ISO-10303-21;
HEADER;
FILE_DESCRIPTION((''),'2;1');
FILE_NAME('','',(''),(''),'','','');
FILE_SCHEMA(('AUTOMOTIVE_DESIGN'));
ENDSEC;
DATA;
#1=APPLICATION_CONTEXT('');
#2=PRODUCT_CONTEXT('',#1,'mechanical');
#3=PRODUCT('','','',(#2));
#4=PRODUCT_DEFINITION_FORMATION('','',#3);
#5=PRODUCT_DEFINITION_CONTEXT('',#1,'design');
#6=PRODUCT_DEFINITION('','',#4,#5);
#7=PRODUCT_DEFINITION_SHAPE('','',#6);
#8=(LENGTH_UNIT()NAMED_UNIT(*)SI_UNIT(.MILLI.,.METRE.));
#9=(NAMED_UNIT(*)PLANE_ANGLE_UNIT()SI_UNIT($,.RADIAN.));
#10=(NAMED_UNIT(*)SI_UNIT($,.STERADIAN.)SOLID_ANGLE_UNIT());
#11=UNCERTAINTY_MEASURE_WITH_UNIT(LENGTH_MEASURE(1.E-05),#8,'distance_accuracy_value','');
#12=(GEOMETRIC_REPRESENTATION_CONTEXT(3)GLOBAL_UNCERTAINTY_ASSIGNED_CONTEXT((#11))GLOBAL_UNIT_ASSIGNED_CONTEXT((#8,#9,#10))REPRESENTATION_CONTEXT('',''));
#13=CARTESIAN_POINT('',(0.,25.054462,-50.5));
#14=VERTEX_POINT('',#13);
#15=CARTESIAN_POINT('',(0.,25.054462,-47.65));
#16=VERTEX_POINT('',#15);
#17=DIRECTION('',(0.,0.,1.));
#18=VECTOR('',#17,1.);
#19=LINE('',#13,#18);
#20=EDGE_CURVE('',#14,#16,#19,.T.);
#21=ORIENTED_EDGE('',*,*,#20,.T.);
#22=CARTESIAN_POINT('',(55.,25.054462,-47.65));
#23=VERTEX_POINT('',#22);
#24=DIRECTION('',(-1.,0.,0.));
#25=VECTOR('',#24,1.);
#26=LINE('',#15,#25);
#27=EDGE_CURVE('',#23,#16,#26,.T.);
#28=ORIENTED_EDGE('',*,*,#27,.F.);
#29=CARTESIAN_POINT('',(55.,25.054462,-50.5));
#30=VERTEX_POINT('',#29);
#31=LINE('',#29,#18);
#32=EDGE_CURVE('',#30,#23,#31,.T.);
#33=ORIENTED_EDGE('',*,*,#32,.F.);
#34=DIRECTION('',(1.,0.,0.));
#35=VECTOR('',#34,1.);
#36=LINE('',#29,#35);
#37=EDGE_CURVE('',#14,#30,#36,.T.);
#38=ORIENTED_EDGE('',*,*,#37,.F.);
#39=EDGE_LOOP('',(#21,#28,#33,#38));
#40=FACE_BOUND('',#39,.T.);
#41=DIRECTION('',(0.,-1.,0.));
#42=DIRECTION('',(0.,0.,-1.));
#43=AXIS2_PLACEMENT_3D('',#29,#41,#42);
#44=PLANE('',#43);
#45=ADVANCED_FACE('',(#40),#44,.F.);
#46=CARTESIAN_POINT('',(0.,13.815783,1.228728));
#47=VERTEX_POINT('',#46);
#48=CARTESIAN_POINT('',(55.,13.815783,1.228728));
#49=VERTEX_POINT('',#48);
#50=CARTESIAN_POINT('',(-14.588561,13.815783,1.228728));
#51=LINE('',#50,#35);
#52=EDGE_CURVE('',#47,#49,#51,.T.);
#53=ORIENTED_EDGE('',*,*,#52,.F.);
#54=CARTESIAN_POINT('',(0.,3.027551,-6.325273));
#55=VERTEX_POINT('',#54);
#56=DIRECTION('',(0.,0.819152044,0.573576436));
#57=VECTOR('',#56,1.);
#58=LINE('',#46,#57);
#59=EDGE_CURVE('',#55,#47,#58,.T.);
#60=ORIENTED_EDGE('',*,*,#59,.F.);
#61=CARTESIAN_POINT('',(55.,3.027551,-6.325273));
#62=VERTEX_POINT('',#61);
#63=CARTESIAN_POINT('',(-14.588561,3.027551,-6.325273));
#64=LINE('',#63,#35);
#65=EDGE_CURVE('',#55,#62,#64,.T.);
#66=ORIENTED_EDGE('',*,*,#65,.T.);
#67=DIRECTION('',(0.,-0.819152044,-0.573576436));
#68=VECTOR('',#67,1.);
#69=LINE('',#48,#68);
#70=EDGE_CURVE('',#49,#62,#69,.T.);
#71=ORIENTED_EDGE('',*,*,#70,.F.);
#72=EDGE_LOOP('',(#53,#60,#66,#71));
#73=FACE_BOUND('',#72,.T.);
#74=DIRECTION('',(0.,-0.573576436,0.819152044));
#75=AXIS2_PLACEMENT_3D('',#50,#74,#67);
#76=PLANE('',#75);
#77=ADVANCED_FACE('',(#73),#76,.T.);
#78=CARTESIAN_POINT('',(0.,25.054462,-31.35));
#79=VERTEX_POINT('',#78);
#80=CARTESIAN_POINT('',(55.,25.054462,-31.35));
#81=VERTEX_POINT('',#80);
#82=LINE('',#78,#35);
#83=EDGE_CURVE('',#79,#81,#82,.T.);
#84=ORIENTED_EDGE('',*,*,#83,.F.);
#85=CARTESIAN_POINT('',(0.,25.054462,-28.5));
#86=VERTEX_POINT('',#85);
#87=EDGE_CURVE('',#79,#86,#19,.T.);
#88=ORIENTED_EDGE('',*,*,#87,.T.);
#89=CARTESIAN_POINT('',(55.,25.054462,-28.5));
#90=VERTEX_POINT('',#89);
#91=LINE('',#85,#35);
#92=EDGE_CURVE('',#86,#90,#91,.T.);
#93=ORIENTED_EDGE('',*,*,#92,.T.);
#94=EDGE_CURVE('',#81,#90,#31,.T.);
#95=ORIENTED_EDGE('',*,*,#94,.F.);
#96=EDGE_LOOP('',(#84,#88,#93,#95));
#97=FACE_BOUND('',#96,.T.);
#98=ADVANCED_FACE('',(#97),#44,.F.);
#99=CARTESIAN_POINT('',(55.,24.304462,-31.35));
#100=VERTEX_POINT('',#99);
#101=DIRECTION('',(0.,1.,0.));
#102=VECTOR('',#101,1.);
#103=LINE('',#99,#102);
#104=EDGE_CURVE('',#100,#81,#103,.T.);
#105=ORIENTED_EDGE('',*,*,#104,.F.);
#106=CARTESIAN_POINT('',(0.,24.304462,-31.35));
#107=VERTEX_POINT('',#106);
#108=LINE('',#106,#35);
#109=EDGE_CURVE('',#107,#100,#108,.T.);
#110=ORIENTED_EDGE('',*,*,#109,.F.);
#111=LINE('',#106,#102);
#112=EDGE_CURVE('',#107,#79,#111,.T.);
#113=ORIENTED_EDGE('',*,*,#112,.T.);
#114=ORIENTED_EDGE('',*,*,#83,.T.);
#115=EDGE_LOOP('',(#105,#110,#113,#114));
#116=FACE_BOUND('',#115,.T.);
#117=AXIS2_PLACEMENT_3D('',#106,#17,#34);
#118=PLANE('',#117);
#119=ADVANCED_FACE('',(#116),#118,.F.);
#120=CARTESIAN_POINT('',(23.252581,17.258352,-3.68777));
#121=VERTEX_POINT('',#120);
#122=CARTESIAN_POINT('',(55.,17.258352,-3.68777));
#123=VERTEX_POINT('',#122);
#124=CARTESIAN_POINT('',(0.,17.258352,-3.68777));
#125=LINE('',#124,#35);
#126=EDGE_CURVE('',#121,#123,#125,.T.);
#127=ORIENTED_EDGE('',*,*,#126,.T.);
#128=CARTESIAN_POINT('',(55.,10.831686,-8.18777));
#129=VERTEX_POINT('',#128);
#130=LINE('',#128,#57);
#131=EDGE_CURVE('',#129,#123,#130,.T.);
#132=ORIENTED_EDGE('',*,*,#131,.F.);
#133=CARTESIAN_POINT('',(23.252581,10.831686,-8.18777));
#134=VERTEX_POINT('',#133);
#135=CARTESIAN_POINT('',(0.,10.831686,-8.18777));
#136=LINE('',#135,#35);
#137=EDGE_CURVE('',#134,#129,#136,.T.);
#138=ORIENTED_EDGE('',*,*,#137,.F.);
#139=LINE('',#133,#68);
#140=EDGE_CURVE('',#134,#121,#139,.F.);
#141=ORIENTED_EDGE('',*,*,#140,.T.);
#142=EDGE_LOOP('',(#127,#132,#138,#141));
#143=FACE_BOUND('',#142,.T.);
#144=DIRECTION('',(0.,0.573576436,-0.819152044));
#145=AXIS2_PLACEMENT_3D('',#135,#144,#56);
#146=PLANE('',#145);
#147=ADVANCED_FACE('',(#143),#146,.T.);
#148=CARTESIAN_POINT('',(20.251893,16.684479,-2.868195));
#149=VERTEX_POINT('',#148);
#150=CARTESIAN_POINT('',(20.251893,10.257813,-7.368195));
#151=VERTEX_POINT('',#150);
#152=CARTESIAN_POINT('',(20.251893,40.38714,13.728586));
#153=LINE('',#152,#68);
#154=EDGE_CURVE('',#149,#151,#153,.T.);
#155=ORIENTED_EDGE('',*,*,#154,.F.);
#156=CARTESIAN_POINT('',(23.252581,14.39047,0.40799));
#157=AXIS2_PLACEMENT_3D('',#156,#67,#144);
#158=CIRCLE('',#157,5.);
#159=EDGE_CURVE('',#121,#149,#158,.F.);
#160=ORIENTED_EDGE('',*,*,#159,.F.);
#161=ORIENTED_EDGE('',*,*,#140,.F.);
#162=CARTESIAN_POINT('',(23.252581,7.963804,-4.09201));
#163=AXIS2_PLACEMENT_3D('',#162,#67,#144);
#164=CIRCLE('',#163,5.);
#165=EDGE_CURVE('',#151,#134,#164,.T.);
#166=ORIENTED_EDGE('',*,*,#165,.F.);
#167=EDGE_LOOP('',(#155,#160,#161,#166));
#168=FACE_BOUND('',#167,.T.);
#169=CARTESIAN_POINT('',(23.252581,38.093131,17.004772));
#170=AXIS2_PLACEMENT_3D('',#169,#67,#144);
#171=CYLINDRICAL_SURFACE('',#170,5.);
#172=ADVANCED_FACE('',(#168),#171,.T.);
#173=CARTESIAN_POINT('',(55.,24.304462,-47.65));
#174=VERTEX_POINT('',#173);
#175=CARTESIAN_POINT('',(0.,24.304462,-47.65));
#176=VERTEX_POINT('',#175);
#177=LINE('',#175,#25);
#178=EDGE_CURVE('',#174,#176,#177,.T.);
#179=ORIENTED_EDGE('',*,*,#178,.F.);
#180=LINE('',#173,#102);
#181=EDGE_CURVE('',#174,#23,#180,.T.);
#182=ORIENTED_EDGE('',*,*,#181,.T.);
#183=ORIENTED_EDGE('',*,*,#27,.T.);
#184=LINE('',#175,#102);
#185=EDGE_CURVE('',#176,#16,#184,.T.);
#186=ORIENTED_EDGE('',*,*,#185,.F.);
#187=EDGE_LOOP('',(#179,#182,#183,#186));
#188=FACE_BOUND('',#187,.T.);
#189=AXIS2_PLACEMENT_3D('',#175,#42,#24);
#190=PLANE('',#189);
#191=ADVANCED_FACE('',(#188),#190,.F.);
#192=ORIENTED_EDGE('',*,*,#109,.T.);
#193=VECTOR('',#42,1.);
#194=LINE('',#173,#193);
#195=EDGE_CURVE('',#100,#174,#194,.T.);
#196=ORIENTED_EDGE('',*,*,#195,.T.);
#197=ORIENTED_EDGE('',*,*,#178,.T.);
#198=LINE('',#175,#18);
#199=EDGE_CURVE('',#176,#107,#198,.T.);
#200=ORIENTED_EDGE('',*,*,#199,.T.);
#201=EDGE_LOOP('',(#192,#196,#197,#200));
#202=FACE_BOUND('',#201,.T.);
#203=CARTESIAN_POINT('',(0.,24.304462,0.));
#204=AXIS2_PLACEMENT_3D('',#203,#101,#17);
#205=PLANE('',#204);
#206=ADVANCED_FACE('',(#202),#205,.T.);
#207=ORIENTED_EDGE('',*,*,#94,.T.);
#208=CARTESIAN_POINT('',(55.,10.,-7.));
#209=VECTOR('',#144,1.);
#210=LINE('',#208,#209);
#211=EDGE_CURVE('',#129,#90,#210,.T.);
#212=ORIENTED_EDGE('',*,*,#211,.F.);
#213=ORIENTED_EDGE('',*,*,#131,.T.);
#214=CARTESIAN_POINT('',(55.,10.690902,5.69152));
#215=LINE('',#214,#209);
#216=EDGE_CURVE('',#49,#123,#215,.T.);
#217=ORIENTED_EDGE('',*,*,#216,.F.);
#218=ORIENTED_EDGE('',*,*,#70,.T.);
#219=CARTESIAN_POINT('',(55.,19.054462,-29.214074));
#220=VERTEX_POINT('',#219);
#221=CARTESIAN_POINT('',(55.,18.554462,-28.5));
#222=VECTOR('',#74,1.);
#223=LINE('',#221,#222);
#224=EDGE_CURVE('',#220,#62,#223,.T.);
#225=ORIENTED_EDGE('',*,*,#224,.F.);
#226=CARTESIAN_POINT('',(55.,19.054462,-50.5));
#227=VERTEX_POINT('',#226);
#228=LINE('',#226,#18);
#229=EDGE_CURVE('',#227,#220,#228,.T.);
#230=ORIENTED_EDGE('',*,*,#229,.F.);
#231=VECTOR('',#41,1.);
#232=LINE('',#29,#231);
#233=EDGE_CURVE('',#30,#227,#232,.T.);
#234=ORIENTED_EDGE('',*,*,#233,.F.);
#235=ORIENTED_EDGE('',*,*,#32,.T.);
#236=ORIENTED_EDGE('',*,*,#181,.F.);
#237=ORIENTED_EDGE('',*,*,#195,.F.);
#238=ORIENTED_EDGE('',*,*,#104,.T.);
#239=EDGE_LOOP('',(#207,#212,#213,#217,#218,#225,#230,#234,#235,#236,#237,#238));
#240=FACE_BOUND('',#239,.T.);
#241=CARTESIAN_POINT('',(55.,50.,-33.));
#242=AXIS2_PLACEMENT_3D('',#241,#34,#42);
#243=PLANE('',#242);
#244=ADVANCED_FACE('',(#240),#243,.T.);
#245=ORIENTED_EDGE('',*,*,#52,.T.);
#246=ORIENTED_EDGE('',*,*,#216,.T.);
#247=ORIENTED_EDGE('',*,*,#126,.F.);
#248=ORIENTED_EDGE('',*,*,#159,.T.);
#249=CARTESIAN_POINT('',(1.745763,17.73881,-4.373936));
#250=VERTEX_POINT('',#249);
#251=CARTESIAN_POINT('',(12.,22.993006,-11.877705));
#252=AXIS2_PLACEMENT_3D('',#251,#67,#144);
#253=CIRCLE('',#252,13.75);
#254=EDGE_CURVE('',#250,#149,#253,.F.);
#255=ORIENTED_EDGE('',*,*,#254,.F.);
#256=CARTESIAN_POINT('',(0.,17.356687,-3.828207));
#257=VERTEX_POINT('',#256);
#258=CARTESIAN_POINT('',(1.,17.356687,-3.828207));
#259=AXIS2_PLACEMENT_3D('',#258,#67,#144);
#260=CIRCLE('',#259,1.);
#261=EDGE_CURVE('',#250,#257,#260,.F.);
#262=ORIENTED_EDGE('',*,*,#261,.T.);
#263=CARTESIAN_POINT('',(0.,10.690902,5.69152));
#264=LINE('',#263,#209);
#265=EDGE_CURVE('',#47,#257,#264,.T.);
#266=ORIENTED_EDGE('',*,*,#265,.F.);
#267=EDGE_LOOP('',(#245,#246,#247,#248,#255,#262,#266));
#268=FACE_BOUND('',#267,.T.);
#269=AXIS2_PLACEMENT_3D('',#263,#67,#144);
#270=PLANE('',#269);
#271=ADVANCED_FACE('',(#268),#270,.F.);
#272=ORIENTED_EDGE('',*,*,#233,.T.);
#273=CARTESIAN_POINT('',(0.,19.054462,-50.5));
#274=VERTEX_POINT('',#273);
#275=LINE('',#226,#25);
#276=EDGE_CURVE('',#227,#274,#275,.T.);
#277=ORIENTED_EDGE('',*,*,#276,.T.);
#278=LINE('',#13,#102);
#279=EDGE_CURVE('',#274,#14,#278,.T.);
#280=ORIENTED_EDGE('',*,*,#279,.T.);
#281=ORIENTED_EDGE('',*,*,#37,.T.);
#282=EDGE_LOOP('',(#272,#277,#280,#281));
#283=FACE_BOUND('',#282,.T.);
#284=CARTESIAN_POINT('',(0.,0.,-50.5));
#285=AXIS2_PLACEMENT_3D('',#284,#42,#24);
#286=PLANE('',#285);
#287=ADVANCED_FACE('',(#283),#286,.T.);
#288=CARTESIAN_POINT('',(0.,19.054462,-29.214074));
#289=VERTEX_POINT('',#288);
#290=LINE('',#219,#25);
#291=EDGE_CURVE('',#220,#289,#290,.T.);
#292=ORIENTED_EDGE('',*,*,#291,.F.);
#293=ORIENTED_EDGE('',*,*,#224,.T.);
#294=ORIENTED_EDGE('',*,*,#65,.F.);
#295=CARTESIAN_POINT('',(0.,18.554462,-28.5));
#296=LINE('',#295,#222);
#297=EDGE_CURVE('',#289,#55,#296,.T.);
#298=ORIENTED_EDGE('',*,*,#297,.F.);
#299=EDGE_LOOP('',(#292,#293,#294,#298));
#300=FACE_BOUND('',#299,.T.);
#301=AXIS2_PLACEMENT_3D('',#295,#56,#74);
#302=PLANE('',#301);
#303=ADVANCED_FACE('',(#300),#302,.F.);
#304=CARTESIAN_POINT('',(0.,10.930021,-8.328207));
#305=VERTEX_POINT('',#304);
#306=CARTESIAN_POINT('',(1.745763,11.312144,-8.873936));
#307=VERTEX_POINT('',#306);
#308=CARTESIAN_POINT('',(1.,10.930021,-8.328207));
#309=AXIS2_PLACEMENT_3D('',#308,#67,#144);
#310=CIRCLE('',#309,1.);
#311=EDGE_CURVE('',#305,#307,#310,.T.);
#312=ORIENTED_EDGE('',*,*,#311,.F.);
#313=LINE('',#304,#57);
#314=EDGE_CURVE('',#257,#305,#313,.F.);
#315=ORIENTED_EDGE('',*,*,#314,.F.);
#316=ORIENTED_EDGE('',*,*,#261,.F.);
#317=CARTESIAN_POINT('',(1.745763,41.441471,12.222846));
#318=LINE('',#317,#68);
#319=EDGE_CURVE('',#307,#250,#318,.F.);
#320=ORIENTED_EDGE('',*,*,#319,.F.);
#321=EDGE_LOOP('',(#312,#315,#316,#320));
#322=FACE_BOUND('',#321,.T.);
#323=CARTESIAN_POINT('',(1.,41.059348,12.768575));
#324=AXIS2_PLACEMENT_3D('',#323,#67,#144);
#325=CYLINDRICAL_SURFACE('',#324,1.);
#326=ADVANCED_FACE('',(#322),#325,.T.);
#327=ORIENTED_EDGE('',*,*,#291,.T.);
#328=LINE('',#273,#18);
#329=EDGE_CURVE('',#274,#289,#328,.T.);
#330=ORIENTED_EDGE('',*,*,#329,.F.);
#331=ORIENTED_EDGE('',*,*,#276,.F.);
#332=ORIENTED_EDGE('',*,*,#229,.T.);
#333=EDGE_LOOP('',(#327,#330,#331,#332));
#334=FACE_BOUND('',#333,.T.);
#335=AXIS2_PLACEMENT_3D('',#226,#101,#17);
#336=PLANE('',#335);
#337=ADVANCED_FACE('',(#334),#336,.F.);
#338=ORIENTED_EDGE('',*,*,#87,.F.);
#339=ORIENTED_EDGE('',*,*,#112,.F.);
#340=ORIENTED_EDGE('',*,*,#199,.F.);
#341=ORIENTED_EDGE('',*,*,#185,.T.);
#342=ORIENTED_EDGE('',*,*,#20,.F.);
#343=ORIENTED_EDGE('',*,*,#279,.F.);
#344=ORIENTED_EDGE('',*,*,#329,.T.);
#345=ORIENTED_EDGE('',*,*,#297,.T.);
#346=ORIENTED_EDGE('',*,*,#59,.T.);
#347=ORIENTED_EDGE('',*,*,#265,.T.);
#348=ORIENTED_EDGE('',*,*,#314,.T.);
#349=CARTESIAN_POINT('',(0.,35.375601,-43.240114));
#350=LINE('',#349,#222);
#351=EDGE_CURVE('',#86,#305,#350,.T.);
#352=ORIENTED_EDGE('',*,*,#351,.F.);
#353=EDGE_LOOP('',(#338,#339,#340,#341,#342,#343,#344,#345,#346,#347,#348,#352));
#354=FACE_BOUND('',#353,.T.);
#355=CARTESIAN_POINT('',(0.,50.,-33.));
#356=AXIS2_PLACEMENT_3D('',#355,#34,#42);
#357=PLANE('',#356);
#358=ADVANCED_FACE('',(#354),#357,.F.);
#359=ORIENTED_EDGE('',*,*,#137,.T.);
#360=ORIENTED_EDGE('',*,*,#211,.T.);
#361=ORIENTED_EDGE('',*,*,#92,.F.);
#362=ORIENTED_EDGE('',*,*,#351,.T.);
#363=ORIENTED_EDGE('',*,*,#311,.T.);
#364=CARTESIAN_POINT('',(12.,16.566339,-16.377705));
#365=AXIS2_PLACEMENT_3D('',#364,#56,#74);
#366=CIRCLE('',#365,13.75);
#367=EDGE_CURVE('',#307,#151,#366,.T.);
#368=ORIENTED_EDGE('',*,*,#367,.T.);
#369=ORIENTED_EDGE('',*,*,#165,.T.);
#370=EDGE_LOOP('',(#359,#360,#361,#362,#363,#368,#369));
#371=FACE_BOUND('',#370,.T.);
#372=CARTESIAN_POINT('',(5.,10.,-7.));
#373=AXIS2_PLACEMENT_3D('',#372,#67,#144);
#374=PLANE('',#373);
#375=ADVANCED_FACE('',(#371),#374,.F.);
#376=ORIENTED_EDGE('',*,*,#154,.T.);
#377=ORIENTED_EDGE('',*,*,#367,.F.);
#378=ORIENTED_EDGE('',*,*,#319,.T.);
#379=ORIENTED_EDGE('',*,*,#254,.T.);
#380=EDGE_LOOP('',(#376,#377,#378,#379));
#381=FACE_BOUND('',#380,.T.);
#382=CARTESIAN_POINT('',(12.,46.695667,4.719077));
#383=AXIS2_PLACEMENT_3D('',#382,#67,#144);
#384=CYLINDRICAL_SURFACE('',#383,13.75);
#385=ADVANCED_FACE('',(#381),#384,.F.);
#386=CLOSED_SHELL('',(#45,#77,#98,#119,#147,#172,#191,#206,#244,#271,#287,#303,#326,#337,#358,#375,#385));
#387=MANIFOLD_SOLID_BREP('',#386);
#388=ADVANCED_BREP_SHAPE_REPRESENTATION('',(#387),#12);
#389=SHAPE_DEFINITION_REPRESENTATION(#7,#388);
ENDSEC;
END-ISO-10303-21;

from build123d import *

# Parameters (mm, degrees)
SKETCH1_W           = 55
SKETCH1_H           = 33
BOSS_EXTRUDE1_DEPTH = 50
CUT_EXTRUDE1_DEPTH  = 50
CUT_EXTRUDE2_DEPTH  = 82.326502445
BOSS_EXTRUDE2_REACH = 83.327
SKETCH6_R           = 13.75
CUT_EXTRUDE3_DEPTH  = 81.295894003
CUT_EXTRUDE4_DEPTH  = 82.326502445
SKETCH8_R           = 6
CUT_EXTRUDE5_DEPTH  = 71.068140857
CUT_EXTRUDE6_DEPTH  = 71.068140857
SKETCH10_W          = 55
SKETCH10_H          = 4.5
CUT_EXTRUDE7_DEPTH  = 69.860192199
FILLET5_R           = 1
FILLET6_R           = 5
CUT_EXTRUDE8_DEPTH  = 67.820476425
SKETCH17_W          = 55
SKETCH17_H          = 6
BOSS_EXTRUDE4_DEPTH = 22
BOSS_EXTRUDE5_DEPTH = 55
SKETCH19_W          = 55
SKETCH19_H          = 16.3
CUT_EXTRUDE9_DEPTH  = 0.75
BOSS_EXTRUDE6_DEPTH = 55


with BuildPart() as part:
    # Sketch1 → Boss-Extrude1 (new body)
    with BuildSketch(Plane(origin=(0, 0, 0), x_dir=(1, 0, 0), z_dir=(0, 1, 0))):
        with Locations((27.5, 16.5)):
            Rectangle(SKETCH1_W, SKETCH1_H)
    extrude(amount=BOSS_EXTRUDE1_DEPTH)

    # Sketch4 → Cut-Extrude1 (cut)
    with BuildSketch(Plane(origin=(55, 0, 0), x_dir=(0, 0, -1), z_dir=(1, 0, 0))):
        Polygon((-21.678821818, 50.957602214), (19.278780397, 79.636424032), (47.957602214, 38.678821818), (7, 10), align=None)
    extrude(amount=-CUT_EXTRUDE1_DEPTH, mode=Mode.SUBTRACT)

    # Sketch5 → Cut-Extrude2 (cut, through all)
    with BuildSketch(Plane(origin=(55, 0, 0), x_dir=(0, 0, -1), z_dir=(1, 0, 0))):
        Polygon((-11.427284806, 18.88242211), (-3.235764364, 24.618186473), (2.5, 16.42666603), (-5.691520443, 10.690901667), align=None)
    extrude(amount=-CUT_EXTRUDE2_DEPTH, mode=Mode.SUBTRACT)

    # Sketch12 → Boss-Extrude2 (add, up to next)
    with BuildSketch(Plane(origin=(55, 0, 0), x_dir=(0, 0, -1), z_dir=(1, 0, 0)), mode=Mode.PRIVATE) as boss_extrude2_sk1:
        Polygon((2.5, 16.42666603), (7, 10), (8.187770464, 10.831685833), (3.687770464, 17.258351863), align=None)
    boss_extrude2_tool1 = extrude(boss_extrude2_sk1.sketch, amount=-BOSS_EXTRUDE2_REACH, mode=Mode.PRIVATE) - part.part
    add(boss_extrude2_tool1.solids().sort_by_distance((55, 13.629176, -5.343885))[0])

    # Sketch6 → Cut-Extrude3 (cut, through all)
    with BuildSketch(Plane(origin=(0, 3.421176544, 2.395533606), x_dir=(1, 0, 0), z_dir=(0, 0.8191520442889949, 0.5735764363510418))):
        with Locations((12, 22.917892202)):
            Circle(SKETCH6_R)
    extrude(amount=CUT_EXTRUDE3_DEPTH, mode=Mode.SUBTRACT)

    # Sketch7 → Cut-Extrude4 (cut, through all)
    with BuildSketch(Plane(origin=(55, 0, 0), x_dir=(0, 0, -1), z_dir=(1, 0, 0))):
        Polygon((0, 14.676147185), (6.378851002, 19.142666742), (10.878851002, 12.716000711), (85.085630618, 64.676147185), (25.408423261, 64.676147185), (0, 64.676147185), align=None)
    extrude(amount=-CUT_EXTRUDE4_DEPTH, mode=Mode.SUBTRACT)

    # Sketch8 → Cut-Extrude5 (cut, through all)
    with BuildSketch(Plane(origin=(0, 0, 0), x_dir=(1, 0, 0), z_dir=(0, 1, 0))):
        with Locations((25.75, 34.5)):
            Circle(SKETCH8_R)
    extrude(amount=CUT_EXTRUDE5_DEPTH, mode=Mode.SUBTRACT)

    # Sketch9 → Cut-Extrude6 (cut, through all)
    with BuildSketch(Plane(origin=(55, 0, 0), x_dir=(0, 0, -1), z_dir=(1, 0, 0))):
        Polygon((28.5, 25.054462072), (33, 25.054462072), (33, 28.205395993), align=None)
    extrude(amount=-CUT_EXTRUDE6_DEPTH, mode=Mode.SUBTRACT)

    # Sketch10 → Cut-Extrude7 (cut, through all)
    with BuildSketch(Plane(origin=(0, 0, 0), x_dir=(1, 0, 0), z_dir=(0, 1, 0))):
        with Locations((27.5, 30.75)):
            Rectangle(SKETCH10_W, SKETCH10_H)
    extrude(amount=CUT_EXTRUDE7_DEPTH, mode=Mode.SUBTRACT)

    # Fillet5
    fillet5_edges = [part.edges().sort_by_distance(p)[0] for p in [
        (0, 15.929333726, -8.628851002),
    ]]
    fillet(fillet5_edges, radius=FILLET5_R)

    # Fillet6
    fillet6_edges = [part.edges().sort_by_distance(p)[0] for p in [
        (21.439344558, 14.045018848, -5.937770464),
    ]]
    fillet(fillet6_edges, radius=FILLET6_R)

    # Sketch16 → Cut-Extrude8 (cut, through all)
    with BuildSketch(Plane(origin=(55, 0, 0), x_dir=(0, 0, -1), z_dir=(1, 0, 0))):
        Polygon((28.5, 18.554462072), (7.554001018, 3.887915689), (0, 14.676147185), (0, 0), (28.5, 0), align=None)
    extrude(amount=-CUT_EXTRUDE8_DEPTH, mode=Mode.SUBTRACT)

    # Sketch17 → Boss-Extrude4 (add)
    with BuildSketch(Plane(origin=(0, 0, -28.5), x_dir=(-1, 0, 0), z_dir=(0, 0, -1))):
        with Locations((-27.5, 22.054462072)):
            Rectangle(SKETCH17_W, SKETCH17_H)
    extrude(amount=BOSS_EXTRUDE4_DEPTH)

    # Sketch18 → Boss-Extrude5 (add)
    with BuildSketch(Plane(origin=(55, 0, 0), x_dir=(0, 0, -1), z_dir=(1, 0, 0))):
        Polygon((18.027000509, 11.22118888), (37.782962044, 25.054462072), (28.5, 25.054462072), (14.972999491, 15.582754346), align=None)
    extrude(amount=-BOSS_EXTRUDE5_DEPTH)

    # Sketch19 → Cut-Extrude9 (cut)
    with BuildSketch(Plane(origin=(0, 25.054462072, 0), x_dir=(1, 0, 0), z_dir=(0, 1, 0))):
        with Locations((27.5, 39.5)):
            Rectangle(SKETCH19_W, SKETCH19_H)
    extrude(amount=-CUT_EXTRUDE9_DEPTH, mode=Mode.SUBTRACT)

    # Sketch20 → Boss-Extrude6 (add)
    with BuildSketch(Plane(origin=(55, 0, 0), x_dir=(0, 0, -1), z_dir=(1, 0, 0))):
        Polygon((0, 14.676147185), (-1.228728066, 13.81578253), (6.325272951, 3.027551034), (7.554001018, 3.887915689), align=None)
    extrude(amount=-BOSS_EXTRUDE6_DEPTH)


solid = part.part
